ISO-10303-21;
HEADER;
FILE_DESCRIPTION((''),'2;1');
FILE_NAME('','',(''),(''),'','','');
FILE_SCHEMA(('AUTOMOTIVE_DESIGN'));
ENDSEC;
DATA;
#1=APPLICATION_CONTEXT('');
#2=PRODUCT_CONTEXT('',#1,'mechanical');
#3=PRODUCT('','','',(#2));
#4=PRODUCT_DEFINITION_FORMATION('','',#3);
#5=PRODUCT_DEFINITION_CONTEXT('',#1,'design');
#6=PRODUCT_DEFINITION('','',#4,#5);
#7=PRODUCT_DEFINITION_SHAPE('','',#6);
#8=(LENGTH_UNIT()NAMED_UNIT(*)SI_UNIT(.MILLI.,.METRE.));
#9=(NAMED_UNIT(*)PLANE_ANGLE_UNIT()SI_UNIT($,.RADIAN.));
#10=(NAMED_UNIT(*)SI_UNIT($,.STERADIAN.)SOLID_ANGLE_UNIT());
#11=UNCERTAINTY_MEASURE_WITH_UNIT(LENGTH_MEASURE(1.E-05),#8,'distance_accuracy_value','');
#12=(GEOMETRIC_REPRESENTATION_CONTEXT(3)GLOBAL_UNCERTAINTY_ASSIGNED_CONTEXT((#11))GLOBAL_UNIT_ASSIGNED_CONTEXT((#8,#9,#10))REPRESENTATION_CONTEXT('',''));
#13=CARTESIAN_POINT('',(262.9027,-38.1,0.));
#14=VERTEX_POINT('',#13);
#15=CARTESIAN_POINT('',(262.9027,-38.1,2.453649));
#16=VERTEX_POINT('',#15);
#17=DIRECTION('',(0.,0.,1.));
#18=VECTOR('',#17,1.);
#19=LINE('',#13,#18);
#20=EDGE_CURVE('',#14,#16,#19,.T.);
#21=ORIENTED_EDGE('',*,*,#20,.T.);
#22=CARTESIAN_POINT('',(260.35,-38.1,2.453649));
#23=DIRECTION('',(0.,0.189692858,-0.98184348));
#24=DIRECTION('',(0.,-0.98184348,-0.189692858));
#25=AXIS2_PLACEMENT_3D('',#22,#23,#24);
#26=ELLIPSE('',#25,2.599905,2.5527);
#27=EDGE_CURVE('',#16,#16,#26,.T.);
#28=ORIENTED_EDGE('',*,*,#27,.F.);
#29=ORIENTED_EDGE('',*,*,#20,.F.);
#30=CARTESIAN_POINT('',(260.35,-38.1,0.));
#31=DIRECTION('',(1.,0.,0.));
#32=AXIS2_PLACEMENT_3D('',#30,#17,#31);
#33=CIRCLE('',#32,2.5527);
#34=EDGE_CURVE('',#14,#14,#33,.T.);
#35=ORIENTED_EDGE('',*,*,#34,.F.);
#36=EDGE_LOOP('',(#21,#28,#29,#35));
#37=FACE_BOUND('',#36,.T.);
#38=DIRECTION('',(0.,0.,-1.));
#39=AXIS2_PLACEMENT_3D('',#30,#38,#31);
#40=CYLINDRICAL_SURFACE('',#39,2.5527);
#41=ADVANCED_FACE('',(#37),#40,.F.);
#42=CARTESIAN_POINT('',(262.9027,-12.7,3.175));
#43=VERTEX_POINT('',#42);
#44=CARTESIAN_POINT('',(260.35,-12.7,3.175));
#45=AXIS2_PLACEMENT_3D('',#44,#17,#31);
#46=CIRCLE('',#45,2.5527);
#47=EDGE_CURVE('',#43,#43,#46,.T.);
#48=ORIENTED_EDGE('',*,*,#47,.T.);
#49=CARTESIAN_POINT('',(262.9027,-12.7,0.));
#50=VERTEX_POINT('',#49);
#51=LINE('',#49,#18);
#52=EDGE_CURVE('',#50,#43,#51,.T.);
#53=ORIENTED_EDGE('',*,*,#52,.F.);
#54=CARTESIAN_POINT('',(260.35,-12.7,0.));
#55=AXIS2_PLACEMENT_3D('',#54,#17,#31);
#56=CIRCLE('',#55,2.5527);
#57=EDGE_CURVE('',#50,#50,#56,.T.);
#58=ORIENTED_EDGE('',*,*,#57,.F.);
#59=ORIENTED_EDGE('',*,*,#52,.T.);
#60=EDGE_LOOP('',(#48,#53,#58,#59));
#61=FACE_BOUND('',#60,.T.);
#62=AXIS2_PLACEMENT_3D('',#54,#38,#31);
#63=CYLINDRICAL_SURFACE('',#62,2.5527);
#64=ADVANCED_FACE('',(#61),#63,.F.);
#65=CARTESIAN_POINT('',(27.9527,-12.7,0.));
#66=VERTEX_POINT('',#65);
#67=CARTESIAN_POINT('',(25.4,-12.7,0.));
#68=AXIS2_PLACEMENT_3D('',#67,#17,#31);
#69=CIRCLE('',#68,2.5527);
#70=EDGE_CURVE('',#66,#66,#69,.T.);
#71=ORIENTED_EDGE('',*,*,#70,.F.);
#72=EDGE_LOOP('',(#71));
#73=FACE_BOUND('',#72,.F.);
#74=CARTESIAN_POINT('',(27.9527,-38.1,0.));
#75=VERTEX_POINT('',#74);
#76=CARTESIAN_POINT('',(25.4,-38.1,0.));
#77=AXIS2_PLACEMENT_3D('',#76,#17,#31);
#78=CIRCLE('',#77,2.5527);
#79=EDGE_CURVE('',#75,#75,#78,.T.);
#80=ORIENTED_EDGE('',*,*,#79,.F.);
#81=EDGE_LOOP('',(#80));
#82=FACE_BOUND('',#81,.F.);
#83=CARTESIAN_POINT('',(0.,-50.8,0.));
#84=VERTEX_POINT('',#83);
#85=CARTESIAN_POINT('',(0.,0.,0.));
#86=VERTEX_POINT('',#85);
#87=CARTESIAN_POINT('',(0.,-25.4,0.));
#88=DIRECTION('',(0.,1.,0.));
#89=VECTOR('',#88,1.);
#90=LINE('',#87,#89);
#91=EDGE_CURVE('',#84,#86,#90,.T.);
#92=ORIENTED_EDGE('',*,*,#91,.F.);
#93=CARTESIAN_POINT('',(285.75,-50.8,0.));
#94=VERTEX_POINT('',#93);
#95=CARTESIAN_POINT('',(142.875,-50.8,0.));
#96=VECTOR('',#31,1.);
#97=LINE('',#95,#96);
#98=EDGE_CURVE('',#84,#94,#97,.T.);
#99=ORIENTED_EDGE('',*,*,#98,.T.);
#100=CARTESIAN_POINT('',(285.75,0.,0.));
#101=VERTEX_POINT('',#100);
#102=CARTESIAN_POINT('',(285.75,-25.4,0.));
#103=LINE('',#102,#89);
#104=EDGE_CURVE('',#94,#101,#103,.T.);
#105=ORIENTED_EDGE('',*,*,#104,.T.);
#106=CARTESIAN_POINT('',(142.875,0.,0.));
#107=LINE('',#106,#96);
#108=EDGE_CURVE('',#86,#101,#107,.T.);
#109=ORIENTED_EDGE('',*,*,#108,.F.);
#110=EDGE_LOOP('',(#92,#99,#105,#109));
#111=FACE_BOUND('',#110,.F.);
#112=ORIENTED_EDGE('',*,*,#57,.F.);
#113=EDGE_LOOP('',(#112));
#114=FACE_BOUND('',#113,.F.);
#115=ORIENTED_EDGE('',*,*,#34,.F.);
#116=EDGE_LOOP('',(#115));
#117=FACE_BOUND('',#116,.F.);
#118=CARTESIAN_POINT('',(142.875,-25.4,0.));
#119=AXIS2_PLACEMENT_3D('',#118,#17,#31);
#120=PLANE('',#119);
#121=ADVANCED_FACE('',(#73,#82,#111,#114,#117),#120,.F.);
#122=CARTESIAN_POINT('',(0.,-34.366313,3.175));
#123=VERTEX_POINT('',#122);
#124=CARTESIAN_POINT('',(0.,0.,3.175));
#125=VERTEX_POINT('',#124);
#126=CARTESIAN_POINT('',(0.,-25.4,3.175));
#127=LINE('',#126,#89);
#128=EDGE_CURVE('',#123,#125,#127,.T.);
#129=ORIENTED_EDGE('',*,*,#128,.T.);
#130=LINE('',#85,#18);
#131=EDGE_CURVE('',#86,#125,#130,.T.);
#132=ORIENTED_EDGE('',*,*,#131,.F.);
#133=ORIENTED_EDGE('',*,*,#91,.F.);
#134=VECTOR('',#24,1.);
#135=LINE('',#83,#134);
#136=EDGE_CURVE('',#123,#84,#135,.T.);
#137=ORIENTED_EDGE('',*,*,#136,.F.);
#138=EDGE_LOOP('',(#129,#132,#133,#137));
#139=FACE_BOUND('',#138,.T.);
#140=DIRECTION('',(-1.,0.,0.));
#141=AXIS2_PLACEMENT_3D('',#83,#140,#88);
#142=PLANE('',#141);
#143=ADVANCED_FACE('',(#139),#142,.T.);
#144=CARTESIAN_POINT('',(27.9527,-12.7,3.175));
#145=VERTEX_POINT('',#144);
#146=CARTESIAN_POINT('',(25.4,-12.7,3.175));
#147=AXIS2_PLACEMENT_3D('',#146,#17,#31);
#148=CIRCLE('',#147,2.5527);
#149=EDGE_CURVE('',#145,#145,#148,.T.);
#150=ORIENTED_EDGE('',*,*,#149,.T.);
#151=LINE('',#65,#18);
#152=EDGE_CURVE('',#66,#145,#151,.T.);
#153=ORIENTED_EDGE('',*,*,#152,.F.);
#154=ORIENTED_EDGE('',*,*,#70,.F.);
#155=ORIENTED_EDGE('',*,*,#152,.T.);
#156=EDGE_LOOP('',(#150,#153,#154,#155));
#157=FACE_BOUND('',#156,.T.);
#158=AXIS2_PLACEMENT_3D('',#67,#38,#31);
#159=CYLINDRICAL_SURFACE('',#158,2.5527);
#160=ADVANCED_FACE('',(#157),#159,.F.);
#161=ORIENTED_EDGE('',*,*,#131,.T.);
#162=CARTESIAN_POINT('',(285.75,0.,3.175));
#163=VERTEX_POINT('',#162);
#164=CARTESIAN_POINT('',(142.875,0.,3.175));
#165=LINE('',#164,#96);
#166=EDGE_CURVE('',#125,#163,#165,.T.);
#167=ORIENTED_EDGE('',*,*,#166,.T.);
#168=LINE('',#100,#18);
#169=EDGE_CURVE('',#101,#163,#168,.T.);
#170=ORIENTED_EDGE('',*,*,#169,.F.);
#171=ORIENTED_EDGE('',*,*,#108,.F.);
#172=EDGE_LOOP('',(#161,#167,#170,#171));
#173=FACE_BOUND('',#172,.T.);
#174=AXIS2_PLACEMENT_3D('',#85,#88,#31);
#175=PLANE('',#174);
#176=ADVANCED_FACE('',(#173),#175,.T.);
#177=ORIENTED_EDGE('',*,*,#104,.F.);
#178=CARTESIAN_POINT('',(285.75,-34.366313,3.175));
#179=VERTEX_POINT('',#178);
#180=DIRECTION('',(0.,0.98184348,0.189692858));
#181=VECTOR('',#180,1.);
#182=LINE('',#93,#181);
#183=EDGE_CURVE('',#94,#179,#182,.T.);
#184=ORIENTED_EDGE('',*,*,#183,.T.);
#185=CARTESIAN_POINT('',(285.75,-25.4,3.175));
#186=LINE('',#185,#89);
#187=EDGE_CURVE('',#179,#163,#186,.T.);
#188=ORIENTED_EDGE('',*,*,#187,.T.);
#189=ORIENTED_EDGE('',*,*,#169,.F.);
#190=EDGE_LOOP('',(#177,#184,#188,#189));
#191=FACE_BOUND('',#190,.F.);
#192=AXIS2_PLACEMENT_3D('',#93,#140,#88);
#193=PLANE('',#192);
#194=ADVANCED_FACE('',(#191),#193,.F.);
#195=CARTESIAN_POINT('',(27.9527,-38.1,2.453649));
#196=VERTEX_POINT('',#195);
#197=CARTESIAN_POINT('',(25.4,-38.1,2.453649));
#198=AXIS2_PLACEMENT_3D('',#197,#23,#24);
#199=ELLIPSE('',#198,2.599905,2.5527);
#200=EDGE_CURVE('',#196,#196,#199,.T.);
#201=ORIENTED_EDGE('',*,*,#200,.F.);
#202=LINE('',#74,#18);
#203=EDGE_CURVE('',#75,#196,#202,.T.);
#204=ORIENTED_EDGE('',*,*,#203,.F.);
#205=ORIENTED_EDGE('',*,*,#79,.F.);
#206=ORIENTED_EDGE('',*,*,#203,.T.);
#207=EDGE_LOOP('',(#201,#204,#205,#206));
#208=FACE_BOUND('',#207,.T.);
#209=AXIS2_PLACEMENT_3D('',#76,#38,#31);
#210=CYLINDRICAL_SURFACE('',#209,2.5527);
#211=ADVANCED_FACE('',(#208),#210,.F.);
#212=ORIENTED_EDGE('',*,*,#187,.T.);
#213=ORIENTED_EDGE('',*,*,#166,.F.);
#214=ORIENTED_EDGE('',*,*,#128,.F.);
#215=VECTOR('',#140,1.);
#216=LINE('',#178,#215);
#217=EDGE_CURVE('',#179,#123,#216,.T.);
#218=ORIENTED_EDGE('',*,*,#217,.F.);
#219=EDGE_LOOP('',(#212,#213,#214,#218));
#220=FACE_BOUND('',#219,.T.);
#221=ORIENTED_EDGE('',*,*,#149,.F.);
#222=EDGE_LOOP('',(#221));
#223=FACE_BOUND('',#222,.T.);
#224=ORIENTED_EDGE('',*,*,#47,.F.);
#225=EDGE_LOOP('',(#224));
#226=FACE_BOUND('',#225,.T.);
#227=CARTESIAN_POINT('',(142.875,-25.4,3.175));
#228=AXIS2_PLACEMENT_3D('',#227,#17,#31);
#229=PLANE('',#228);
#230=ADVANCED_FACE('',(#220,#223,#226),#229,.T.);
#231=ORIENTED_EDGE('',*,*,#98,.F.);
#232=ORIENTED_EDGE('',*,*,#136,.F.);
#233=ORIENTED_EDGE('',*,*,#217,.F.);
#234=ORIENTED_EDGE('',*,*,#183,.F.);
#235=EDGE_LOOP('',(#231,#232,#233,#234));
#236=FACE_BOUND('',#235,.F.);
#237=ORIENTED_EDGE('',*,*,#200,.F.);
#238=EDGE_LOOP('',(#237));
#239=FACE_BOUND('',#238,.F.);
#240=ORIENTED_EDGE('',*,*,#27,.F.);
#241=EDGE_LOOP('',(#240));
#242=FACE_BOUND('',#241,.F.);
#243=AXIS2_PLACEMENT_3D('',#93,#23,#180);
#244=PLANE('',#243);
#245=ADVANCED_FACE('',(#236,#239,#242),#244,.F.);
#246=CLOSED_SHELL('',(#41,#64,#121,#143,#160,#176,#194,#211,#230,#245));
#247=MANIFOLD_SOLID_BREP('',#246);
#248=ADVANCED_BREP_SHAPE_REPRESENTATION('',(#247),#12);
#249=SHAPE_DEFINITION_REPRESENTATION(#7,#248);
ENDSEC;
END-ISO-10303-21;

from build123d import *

# Parameters (mm, degrees)
F0_W     = 285.75
F0_H     = 50.8
F0_R     = 2.5527
F1_DEPTH = 3.175
F3_DEPTH = 285.751


with BuildPart() as f1:
    # F0 (on Top) → F1 (new body)
    with BuildSketch(Plane.XY):
        with Locations((142.875, -25.4)):
            Rectangle(F0_W, F0_H)
        with Locations((25.4, -38.1)):
            Circle(F0_R, mode=Mode.SUBTRACT)
        with Locations((260.35, -38.1)):
            Circle(F0_R, mode=Mode.SUBTRACT)
        with Locations((25.4, -12.7)):
            Circle(F0_R, mode=Mode.SUBTRACT)
        with Locations((260.35, -12.7)):
            Circle(F0_R, mode=Mode.SUBTRACT)
    extrude(amount=F1_DEPTH)

    # F2 (on face) → F3 (cut, through all)
    with BuildSketch(Plane.YZ.offset(285.75)):
        Polygon((-50.8, 3.175), (-50.8, 0), (-34.366313, 3.175), align=None)
    extrude(amount=-F3_DEPTH, mode=Mode.SUBTRACT)


solid = f1.part
